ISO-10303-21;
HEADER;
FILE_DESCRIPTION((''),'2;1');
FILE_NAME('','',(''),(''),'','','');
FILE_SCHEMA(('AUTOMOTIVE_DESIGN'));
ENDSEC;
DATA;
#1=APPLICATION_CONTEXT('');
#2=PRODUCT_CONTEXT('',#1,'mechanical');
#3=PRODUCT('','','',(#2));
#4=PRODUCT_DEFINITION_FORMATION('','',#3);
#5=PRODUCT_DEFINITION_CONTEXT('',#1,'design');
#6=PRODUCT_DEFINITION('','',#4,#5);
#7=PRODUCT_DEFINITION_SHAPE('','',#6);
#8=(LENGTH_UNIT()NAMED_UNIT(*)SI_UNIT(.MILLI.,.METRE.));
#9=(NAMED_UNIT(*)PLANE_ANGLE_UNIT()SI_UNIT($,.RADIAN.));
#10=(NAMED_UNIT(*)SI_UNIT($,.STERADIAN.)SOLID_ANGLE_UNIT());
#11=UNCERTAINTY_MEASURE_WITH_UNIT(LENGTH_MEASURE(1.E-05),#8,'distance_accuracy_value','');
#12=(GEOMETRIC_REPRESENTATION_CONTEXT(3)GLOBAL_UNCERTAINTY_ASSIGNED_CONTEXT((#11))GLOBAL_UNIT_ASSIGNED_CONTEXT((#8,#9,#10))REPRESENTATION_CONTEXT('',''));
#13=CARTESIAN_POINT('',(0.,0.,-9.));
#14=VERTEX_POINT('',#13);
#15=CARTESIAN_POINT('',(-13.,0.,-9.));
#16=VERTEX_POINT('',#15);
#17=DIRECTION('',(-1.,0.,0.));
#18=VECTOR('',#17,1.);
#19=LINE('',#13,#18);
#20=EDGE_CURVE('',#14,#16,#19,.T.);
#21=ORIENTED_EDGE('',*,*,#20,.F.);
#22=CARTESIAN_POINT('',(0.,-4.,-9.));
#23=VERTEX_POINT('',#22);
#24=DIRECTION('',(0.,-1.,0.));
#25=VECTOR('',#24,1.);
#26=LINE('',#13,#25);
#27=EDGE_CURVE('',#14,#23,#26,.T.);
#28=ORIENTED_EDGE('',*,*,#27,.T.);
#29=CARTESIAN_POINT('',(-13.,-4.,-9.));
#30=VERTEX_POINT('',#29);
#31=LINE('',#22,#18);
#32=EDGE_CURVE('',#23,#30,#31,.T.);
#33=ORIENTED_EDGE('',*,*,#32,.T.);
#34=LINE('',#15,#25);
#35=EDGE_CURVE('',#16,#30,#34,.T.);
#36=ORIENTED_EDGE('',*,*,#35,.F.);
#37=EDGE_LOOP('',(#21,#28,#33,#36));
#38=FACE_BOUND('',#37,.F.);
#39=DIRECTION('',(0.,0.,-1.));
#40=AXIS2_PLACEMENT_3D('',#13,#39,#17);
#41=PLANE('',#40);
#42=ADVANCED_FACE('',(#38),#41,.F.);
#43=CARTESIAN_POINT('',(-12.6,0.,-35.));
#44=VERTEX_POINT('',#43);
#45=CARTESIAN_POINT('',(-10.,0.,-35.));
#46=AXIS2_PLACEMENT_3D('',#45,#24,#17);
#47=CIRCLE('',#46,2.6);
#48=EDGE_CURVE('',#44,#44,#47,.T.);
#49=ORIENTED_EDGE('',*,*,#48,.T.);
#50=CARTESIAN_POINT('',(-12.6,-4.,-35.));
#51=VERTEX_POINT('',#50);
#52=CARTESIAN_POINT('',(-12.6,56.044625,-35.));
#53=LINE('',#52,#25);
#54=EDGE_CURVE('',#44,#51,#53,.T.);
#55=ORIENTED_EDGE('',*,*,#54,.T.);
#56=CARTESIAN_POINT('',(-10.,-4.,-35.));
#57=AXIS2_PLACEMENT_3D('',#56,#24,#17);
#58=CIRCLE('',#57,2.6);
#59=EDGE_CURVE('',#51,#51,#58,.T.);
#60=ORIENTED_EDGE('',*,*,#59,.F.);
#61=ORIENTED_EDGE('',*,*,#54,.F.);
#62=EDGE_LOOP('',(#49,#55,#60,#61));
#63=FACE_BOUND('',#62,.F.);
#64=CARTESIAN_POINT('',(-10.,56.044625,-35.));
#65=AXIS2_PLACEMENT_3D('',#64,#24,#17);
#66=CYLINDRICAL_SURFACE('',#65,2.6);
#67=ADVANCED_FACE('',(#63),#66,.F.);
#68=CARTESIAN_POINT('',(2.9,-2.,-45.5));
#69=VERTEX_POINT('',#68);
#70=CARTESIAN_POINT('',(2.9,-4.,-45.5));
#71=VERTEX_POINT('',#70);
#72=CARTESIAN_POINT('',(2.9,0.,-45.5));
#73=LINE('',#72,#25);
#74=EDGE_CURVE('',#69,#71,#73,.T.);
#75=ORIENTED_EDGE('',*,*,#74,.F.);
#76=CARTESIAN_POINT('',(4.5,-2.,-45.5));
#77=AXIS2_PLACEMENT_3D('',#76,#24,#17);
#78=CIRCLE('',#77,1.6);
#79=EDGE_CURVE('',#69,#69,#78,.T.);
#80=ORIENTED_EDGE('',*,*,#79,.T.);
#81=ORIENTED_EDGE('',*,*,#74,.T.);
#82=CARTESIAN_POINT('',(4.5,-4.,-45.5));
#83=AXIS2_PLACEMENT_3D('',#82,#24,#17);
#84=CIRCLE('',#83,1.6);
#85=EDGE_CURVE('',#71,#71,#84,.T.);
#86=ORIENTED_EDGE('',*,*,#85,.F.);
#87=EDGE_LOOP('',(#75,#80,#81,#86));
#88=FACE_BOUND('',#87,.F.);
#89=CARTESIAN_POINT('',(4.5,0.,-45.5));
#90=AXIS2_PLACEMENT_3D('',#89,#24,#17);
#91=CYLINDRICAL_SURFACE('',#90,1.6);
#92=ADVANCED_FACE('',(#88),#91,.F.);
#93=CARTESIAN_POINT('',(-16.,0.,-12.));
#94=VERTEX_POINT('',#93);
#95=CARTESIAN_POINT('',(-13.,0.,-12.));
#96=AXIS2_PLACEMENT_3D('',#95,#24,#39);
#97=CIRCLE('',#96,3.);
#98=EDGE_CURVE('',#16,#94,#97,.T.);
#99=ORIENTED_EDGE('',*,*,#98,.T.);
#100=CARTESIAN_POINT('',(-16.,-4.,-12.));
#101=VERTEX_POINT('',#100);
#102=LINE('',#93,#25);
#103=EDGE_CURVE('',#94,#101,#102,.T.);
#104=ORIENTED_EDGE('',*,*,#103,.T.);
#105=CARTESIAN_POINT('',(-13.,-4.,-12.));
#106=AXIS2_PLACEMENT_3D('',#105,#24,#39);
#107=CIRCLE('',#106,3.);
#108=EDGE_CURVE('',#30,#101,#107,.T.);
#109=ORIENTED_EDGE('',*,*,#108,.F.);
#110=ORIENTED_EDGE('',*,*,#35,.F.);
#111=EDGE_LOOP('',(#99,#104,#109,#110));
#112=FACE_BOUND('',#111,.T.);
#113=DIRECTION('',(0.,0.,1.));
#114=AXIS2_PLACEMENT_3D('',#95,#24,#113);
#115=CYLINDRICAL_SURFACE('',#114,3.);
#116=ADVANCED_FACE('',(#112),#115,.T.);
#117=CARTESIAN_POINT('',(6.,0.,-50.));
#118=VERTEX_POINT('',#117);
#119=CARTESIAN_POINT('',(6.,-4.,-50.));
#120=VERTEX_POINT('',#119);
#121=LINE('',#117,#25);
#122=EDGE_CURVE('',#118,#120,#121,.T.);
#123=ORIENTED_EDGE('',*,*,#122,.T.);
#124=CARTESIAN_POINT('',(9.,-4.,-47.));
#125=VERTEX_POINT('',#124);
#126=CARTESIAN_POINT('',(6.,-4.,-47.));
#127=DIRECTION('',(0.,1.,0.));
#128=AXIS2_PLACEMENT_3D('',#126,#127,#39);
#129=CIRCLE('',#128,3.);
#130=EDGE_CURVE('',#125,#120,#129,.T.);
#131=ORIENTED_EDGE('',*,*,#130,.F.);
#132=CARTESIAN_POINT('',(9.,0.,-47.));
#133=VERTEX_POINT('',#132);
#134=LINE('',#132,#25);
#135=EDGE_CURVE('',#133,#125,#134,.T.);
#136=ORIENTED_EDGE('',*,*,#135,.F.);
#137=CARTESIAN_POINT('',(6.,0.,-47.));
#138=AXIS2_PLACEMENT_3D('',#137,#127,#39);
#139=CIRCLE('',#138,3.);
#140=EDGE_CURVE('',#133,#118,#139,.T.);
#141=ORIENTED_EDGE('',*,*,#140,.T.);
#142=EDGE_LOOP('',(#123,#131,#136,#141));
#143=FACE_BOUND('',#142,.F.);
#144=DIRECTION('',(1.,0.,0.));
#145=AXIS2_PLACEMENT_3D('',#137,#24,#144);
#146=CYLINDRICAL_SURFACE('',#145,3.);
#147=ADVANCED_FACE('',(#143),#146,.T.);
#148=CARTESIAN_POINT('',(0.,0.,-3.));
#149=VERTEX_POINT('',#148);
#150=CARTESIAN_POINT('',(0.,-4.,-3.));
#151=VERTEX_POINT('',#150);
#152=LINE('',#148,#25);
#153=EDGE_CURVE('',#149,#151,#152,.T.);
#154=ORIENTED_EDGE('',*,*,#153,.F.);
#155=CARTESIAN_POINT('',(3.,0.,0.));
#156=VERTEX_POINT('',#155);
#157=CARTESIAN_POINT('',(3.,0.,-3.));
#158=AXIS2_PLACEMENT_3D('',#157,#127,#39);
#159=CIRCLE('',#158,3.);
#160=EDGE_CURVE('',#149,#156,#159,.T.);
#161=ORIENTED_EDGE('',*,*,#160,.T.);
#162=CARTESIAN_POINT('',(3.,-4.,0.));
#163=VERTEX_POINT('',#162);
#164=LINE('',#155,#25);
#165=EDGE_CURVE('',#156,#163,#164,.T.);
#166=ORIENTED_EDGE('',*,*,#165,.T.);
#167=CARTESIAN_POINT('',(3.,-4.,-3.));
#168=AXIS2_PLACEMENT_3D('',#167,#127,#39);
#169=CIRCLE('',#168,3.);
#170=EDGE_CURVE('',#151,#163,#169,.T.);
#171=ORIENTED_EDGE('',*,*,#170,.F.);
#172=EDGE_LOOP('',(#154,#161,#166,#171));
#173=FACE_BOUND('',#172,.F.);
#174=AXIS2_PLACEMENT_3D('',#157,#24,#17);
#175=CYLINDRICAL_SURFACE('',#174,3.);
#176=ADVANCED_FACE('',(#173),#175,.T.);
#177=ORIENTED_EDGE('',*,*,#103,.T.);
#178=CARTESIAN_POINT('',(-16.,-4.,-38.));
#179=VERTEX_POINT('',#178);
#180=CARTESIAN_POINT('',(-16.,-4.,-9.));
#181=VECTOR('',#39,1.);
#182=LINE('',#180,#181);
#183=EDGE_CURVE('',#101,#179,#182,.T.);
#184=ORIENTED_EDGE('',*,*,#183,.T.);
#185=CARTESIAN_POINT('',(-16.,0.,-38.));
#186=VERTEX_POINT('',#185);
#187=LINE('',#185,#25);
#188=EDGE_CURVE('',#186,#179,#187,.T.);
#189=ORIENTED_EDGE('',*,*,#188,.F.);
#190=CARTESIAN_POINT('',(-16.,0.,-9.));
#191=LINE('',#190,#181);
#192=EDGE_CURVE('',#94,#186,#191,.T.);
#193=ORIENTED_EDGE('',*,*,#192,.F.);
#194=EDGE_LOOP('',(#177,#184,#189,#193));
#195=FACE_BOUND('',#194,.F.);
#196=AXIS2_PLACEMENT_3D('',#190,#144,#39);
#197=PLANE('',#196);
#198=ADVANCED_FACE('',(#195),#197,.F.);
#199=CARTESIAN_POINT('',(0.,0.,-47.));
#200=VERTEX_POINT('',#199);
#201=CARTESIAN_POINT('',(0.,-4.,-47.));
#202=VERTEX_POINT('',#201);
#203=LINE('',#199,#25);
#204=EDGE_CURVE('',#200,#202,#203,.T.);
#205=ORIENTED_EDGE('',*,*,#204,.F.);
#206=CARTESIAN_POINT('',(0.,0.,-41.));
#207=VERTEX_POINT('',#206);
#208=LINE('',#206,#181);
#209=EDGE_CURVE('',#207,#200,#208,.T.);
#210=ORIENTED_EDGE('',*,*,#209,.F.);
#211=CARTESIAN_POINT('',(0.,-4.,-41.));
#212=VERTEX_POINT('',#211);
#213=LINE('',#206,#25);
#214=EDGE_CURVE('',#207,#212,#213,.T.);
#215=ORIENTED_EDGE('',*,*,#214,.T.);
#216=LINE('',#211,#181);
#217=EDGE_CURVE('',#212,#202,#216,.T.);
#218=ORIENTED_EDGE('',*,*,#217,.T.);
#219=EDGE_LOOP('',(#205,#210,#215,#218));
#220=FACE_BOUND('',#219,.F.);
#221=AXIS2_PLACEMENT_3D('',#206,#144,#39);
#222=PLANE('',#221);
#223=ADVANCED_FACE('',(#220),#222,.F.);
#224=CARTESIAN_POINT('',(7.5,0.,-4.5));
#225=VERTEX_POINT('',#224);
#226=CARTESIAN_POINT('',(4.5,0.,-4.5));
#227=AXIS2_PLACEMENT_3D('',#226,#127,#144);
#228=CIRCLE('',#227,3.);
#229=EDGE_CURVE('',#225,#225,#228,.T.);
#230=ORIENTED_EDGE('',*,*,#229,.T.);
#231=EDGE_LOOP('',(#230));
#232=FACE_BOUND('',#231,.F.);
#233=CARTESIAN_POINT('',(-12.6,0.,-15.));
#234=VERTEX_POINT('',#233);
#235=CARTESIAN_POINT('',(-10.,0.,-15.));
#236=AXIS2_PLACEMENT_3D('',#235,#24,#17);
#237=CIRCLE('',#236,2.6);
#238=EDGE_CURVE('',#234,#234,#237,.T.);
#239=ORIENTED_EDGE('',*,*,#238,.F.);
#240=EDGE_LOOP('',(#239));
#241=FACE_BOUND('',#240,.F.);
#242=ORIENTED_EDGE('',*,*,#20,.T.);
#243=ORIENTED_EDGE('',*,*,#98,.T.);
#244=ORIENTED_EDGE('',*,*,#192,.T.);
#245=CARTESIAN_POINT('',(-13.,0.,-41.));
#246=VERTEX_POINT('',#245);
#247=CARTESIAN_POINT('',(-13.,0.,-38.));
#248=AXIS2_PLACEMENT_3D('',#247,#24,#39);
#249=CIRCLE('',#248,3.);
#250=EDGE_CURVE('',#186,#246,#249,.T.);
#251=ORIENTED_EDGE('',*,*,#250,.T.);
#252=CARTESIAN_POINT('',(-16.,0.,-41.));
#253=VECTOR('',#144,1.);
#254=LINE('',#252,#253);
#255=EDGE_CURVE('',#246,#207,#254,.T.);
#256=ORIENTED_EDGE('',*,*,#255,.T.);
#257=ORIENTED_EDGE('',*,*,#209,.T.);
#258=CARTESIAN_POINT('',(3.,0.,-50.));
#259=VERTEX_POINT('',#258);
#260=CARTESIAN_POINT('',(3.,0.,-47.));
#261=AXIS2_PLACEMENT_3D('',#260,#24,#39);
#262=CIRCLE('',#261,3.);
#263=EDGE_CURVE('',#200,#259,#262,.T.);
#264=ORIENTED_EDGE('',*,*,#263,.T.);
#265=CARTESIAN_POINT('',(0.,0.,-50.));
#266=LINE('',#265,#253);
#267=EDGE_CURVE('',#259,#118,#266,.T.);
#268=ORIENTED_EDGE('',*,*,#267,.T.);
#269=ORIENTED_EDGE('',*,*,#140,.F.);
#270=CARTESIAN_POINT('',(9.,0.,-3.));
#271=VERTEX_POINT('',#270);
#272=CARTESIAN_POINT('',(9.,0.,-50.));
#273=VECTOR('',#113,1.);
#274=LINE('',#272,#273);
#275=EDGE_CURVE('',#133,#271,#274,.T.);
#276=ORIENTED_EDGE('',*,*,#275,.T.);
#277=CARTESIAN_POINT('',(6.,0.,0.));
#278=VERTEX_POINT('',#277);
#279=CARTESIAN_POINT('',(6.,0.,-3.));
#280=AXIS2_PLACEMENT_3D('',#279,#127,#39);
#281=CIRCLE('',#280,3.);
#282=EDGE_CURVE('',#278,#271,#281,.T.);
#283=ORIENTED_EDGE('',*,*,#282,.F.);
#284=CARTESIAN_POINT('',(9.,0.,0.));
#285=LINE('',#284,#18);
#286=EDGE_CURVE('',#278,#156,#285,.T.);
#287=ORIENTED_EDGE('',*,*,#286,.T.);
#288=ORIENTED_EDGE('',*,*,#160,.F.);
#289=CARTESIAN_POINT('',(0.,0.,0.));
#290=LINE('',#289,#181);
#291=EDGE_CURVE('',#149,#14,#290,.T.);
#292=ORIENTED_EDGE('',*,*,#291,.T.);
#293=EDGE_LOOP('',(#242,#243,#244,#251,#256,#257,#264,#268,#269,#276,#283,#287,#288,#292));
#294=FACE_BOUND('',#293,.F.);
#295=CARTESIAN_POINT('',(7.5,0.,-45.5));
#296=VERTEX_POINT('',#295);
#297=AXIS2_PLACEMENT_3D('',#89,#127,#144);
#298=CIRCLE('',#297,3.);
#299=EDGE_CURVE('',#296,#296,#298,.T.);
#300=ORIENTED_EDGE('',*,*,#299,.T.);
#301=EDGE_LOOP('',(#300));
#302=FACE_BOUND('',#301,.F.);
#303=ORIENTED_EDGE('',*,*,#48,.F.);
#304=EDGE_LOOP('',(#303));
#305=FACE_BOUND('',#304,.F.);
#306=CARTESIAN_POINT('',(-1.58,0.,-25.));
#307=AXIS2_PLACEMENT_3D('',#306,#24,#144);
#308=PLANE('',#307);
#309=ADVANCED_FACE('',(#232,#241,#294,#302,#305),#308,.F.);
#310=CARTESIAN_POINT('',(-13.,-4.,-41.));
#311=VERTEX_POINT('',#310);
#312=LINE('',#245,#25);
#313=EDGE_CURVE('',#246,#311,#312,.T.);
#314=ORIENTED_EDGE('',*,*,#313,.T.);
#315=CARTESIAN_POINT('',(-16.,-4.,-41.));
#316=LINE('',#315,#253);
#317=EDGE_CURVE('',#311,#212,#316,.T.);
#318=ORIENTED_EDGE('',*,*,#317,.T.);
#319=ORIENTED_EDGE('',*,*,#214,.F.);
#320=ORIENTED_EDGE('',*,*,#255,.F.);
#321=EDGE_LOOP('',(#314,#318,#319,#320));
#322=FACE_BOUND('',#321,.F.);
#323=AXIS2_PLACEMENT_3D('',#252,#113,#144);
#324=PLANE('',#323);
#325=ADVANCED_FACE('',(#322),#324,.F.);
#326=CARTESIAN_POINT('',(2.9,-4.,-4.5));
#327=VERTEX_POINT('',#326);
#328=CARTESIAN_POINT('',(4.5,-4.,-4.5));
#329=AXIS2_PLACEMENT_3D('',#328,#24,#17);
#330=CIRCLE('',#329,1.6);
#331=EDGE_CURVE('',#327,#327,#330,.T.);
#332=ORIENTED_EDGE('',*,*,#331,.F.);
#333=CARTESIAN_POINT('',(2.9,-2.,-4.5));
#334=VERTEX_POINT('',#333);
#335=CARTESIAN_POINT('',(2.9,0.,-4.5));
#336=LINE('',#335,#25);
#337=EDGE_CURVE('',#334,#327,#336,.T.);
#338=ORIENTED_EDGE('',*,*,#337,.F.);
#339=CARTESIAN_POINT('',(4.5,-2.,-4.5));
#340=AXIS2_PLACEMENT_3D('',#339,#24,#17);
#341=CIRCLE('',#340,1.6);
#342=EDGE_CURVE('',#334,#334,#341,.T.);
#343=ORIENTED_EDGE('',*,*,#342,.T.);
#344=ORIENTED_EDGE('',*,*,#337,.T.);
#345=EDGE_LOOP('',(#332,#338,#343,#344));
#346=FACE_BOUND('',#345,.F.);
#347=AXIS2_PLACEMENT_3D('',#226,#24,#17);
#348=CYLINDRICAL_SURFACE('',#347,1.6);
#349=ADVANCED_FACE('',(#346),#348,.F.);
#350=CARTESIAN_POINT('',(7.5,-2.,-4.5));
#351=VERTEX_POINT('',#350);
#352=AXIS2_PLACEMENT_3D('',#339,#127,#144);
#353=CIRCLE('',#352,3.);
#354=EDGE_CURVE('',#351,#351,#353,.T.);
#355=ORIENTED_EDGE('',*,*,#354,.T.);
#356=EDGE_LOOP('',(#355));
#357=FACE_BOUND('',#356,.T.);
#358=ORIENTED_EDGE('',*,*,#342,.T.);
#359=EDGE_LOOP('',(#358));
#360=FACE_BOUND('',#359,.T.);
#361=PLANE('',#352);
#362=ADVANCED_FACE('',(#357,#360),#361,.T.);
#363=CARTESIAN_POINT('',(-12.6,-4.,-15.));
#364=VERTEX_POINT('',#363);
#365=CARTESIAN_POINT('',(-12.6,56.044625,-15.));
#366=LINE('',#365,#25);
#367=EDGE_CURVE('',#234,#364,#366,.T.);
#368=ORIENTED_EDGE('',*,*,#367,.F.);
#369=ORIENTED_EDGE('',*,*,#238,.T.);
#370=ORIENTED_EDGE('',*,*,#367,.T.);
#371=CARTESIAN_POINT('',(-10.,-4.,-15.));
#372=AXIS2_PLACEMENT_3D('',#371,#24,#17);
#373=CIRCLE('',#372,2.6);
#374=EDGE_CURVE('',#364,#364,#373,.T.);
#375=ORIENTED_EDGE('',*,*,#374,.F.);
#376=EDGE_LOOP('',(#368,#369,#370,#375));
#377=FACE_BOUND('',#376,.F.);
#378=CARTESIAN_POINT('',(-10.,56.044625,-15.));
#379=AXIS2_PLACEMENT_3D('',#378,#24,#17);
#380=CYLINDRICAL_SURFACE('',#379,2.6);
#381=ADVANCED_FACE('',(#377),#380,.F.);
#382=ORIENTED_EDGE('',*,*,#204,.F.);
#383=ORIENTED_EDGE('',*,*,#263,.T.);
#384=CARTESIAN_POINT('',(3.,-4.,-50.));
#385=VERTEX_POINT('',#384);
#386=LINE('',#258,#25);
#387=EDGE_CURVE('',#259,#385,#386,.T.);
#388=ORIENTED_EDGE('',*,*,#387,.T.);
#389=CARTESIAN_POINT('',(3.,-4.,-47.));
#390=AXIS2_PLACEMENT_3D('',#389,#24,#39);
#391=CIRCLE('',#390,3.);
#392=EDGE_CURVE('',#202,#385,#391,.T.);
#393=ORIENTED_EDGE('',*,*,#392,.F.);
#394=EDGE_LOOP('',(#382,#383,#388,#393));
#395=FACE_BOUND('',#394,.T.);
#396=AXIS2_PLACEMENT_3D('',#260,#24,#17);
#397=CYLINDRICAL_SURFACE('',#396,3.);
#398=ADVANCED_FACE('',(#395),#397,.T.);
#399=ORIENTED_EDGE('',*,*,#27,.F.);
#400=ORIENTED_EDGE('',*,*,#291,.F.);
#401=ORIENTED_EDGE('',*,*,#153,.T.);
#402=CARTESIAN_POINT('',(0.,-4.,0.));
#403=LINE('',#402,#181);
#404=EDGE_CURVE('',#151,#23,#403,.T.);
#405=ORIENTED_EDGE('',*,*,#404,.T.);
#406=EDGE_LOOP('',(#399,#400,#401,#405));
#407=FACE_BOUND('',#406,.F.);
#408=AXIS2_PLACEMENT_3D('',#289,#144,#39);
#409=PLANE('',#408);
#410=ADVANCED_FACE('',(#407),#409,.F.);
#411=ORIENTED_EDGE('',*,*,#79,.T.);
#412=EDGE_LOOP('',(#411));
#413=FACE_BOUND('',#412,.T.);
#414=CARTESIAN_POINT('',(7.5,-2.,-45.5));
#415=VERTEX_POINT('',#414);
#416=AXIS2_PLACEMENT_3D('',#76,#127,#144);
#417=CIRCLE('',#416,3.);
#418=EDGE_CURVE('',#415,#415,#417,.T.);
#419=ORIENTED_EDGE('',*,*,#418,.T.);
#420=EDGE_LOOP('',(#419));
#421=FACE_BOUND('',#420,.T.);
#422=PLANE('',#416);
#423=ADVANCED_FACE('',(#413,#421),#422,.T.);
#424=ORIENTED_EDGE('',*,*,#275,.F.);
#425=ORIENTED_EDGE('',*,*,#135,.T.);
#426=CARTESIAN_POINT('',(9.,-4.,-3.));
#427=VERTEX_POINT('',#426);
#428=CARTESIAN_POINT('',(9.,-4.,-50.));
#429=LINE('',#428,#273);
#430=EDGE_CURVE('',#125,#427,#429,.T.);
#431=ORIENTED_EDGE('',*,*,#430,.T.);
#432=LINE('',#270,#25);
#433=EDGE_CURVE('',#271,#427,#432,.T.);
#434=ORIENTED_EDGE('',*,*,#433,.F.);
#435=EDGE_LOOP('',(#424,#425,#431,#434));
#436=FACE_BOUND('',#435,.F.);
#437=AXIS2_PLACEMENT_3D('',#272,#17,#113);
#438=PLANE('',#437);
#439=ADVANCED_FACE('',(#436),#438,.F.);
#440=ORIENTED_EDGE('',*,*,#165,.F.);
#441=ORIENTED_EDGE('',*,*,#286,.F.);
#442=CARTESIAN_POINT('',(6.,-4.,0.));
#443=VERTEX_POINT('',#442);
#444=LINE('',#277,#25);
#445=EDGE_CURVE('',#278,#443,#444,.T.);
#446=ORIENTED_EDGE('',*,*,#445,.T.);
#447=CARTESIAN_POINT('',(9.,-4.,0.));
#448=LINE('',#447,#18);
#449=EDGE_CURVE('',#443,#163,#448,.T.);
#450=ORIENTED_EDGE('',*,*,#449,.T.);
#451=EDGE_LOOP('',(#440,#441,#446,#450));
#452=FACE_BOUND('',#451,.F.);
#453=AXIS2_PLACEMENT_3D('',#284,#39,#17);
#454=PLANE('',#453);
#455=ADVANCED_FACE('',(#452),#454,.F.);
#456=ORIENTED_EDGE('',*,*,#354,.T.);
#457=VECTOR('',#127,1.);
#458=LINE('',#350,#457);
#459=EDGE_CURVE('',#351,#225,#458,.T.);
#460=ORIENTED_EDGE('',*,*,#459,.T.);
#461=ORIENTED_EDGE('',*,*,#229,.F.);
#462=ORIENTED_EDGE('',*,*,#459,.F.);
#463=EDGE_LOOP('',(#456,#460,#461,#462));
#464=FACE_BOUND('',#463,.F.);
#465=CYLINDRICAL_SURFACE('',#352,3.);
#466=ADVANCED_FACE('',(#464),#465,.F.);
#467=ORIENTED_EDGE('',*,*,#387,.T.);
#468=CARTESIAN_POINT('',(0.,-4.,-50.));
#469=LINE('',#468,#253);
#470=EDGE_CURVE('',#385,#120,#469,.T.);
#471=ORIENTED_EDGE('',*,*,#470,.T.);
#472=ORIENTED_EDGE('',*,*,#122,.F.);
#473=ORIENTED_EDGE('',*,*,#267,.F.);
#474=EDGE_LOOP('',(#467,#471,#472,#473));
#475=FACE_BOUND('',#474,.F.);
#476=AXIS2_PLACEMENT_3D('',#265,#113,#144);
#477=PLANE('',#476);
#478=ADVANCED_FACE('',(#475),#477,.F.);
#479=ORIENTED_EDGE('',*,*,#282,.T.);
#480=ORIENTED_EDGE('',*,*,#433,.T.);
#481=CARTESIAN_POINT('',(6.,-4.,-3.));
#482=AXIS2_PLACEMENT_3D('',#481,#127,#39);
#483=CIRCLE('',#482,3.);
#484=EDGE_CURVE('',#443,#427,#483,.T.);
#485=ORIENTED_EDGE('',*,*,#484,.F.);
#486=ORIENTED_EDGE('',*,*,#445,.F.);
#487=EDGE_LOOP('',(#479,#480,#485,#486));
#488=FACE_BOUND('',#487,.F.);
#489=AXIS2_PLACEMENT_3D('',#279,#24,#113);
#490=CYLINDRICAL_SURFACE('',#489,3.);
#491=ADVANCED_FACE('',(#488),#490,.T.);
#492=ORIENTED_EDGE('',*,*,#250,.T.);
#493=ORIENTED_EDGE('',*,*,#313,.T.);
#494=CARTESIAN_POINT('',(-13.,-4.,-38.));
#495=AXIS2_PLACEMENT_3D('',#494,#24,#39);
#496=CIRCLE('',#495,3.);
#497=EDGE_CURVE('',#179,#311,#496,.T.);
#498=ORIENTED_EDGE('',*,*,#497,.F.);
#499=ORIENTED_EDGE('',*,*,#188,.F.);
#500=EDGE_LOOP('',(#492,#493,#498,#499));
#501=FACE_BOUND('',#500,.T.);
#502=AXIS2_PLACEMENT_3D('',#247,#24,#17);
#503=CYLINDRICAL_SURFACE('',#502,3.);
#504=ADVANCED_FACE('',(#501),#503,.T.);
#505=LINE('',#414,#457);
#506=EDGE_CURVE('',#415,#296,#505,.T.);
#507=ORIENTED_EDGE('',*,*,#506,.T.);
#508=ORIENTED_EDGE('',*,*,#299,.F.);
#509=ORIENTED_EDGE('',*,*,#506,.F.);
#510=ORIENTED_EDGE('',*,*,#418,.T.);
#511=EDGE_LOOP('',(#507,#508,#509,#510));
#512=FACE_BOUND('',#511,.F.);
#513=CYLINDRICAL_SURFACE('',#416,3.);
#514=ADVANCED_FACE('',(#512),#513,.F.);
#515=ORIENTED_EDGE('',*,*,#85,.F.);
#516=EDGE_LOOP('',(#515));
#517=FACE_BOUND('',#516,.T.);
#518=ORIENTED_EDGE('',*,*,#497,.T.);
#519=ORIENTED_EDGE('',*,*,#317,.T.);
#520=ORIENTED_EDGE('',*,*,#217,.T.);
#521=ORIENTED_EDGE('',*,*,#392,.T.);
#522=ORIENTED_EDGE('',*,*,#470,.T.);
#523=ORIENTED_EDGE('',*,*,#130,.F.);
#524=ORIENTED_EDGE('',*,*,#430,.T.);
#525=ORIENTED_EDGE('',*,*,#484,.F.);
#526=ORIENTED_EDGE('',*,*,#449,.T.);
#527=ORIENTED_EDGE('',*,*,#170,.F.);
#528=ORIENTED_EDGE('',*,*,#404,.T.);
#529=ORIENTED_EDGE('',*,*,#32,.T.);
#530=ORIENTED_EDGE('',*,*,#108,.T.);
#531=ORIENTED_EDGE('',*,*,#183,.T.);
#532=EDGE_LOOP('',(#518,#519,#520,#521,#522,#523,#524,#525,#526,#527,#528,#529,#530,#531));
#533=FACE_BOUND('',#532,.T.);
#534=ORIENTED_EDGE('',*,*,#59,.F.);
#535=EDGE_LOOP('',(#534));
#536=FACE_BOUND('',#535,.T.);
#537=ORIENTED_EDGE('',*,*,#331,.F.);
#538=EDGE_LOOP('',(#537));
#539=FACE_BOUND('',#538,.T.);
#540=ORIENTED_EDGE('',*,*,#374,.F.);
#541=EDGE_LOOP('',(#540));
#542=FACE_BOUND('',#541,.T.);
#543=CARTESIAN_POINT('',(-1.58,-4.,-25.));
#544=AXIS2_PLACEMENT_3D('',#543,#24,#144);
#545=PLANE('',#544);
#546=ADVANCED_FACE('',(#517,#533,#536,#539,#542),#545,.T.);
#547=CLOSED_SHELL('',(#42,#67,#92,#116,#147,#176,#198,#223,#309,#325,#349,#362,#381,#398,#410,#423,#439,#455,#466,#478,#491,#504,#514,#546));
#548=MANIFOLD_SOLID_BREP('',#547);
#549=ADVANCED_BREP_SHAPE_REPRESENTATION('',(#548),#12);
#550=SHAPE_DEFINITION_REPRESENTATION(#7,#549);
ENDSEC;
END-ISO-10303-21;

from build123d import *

# Parameters (mm, degrees)
F1_DEPTH       = 4
F2_D           = 3.2
F2_CBORE_D     = 6
F2_CBORE_DEPTH = 2
F3_D           = 5.2
F4_R           = 3


with BuildPart() as f1:
    # F0 (on Front) → F1 (new body)
    with BuildSketch(Plane.XZ):
        Polygon((0, -9), (-16, -9), (-16, -41), (0, -41), (0, -44), (0, -50), (9, -50), (9, 0), (0, 0), (0, -6), align=None)
    extrude(amount=F1_DEPTH)

    # F2 (through all)
    with Locations(Plane(origin=(0, 0, 0), x_dir=(1, 0, 0), z_dir=(0, 1, 0))):
        with Locations((4.5, 4.5), (4.5, 45.5)):
            CounterBoreHole(F2_D / 2, F2_CBORE_D / 2, F2_CBORE_DEPTH)

    # F3 (through all)
    with Locations(Plane(origin=(0, 0, 0), x_dir=(1, 0, 0), z_dir=(0, 1, 0))):
        with Locations((-10, 15), (-10, 35)):
            Hole(F3_D / 2)

    # F4
    f4_edges = [f1.edges().sort_by_distance(p)[0] for p in [
        (-16, -2, -9),
        (-16, -2, -41),
        (9, -2, 0),
        (0, -2, 0),
        (0, -2, -50),
        (9, -2, -50),
    ]]
    fillet(f4_edges, radius=F4_R)


solid = f1.part
